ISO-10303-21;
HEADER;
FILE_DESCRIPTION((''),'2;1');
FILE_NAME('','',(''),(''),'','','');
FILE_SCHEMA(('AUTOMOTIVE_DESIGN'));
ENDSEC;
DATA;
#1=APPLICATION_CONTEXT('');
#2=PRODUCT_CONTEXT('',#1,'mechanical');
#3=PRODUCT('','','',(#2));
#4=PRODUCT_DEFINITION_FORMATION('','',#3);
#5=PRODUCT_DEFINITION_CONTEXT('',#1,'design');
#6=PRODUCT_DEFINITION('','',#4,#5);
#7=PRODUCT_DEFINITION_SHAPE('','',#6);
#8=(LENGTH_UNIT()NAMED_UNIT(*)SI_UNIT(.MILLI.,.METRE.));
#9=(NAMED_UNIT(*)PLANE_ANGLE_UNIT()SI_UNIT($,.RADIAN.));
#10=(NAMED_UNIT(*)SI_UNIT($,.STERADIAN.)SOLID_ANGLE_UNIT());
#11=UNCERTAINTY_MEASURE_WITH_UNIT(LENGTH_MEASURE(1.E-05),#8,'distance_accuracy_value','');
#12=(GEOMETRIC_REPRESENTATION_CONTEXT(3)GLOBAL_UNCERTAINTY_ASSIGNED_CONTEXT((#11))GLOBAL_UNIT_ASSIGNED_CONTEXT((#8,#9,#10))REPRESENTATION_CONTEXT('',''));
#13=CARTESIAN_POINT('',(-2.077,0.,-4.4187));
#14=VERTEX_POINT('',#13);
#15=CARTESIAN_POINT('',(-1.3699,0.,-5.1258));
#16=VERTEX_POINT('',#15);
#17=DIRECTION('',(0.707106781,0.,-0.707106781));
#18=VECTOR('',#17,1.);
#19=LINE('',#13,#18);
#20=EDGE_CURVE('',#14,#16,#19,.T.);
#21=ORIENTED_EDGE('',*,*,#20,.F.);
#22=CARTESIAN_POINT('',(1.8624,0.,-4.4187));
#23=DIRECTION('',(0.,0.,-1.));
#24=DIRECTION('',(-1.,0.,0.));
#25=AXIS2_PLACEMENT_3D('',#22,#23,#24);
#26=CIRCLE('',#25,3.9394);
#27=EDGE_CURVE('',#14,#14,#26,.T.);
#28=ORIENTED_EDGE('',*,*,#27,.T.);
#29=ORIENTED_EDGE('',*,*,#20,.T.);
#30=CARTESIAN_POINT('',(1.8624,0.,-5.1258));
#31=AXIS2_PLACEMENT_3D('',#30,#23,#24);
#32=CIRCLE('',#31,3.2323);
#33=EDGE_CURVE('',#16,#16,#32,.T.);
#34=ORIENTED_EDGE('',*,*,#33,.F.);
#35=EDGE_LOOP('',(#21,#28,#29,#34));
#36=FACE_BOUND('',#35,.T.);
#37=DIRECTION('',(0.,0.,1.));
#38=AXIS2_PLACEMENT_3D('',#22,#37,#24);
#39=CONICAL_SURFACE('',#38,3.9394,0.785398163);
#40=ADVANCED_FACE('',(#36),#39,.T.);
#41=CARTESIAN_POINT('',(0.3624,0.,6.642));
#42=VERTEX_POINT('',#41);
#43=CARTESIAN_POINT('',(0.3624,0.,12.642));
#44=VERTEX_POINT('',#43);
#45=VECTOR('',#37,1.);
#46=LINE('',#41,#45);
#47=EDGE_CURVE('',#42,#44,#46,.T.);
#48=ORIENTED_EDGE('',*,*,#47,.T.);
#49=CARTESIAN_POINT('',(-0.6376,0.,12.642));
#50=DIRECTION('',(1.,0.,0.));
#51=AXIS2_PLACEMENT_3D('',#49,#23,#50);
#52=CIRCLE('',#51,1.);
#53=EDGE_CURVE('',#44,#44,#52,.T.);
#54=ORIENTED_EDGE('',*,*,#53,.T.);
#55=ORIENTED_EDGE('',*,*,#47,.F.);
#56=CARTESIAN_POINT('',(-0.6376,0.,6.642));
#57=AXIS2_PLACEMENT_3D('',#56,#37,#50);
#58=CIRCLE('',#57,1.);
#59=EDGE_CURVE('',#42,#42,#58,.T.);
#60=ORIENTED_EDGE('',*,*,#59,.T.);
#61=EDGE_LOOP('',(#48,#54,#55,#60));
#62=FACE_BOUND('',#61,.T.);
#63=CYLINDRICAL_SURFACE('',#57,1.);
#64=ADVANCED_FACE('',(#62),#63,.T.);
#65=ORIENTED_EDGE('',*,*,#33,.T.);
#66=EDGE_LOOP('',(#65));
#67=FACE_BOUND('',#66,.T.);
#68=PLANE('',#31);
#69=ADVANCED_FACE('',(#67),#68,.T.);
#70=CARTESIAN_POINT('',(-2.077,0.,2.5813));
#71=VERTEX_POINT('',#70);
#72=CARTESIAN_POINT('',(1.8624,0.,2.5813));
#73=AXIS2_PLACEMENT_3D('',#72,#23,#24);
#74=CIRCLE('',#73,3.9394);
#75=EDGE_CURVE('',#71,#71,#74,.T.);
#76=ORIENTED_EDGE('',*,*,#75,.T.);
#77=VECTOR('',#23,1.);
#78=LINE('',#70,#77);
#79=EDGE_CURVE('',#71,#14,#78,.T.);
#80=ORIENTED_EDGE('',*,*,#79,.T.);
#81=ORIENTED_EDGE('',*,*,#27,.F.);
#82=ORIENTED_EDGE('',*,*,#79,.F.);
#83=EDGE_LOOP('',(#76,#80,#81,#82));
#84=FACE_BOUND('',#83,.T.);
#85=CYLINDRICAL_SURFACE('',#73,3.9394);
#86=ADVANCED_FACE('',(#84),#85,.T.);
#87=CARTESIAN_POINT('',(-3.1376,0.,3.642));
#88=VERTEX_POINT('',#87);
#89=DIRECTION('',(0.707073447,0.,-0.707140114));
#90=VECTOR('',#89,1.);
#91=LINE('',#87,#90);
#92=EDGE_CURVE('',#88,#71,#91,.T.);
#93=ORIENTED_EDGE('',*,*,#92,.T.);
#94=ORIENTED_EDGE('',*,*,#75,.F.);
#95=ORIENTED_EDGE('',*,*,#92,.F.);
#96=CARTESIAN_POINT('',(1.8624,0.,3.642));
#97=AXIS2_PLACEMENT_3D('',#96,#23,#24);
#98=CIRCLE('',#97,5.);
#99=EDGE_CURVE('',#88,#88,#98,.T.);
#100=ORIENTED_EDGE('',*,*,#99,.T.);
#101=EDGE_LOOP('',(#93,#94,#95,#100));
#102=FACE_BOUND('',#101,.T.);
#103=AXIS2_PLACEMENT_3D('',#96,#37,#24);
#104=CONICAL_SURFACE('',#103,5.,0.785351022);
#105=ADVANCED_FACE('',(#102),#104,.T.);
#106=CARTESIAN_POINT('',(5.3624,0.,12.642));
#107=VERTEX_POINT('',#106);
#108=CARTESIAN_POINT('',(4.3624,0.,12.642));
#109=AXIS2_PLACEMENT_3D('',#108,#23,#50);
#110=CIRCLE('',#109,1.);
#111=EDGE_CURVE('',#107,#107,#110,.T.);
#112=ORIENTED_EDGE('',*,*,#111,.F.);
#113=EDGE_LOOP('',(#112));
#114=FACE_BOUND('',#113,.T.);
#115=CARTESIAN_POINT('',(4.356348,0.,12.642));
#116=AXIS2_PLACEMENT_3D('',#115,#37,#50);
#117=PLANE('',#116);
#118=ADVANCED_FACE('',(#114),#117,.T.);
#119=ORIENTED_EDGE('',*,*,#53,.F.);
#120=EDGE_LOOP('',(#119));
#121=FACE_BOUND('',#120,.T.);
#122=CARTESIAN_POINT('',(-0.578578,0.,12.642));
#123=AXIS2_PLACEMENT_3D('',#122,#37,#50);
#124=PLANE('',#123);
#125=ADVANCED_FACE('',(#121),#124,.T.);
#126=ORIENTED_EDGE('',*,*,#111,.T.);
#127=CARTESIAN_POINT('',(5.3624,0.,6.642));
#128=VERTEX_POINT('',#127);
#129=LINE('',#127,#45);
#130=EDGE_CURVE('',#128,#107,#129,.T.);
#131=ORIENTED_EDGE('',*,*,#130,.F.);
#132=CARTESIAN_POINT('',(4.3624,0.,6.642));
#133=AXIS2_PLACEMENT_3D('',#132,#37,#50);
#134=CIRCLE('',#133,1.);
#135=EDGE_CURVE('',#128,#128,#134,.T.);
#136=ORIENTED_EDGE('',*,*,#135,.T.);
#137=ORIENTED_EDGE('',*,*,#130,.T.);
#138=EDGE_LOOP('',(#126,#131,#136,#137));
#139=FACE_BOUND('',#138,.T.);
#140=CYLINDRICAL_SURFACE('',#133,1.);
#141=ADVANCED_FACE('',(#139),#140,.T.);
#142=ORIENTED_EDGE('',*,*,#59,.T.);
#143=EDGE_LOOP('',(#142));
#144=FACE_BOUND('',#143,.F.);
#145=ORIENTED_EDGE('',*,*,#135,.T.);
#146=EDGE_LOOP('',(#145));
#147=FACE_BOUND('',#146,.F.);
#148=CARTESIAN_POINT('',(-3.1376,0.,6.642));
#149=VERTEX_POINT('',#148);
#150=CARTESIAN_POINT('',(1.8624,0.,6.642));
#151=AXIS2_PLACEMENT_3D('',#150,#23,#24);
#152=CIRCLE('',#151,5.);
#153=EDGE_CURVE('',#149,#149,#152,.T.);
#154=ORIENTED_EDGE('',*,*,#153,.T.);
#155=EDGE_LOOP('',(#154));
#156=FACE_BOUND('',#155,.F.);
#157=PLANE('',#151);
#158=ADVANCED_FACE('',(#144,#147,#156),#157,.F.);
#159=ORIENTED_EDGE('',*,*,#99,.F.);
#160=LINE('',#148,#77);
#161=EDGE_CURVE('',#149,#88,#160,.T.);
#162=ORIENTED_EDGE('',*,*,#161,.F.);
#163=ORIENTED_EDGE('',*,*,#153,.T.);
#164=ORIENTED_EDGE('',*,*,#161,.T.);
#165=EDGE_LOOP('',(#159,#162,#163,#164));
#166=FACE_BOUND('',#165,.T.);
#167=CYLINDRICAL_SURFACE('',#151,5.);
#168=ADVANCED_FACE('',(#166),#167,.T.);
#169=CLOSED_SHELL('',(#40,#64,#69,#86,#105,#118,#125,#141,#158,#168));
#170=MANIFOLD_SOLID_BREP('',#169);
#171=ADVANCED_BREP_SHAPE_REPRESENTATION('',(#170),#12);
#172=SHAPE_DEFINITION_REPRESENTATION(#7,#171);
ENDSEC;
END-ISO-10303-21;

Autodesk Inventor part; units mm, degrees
ref_plane "YZ Plane" through (0, 0, 0) normal (1, 0, 0) x (0, 1, 0)
ref_plane "XZ Plane" through (0, 0, 0) normal (0, 1, 0) x (-1, 0, 0)
ref_plane "XY Plane" through (0, 0, 0) normal (0, 0, 1) x (1, 0, 0)
sketch "Эскиз1" plane through (0, 0, 0) normal (0, 1, 0) x (-1, 0, 0)
  line L0 (3.1376, 6.642) -> (-6.8624, 6.642)
  line L1 (-6.8624, 6.642) -> (-6.8624, 3.642)
  line L2 (3.1376, 6.642) -> (3.1376, 3.642)
  line L3 (3.1376, 3.642) -> (2.077, 2.5813)
  line L4 (-6.8624, 3.642) -> (-5.8017, 2.5813)
  line L5 (2.077, 2.5813) -> (2.077, -4.4187)
  line L6 (2.077, -4.4187) -> (1.3699, -5.1258)
  line L7 (-5.8017, 2.5813) -> (-5.8017, -4.4187)
  line L8 (-5.8017, -4.4187) -> (-5.0946, -5.1258)
  line L9 (1.3699, -5.1258) -> (-5.0946, -5.1258)
  line L10 (-1.8624, 6.642) -> (-1.8624, -5.1258)
  point P0 (0, 0)
revolve "Вращение1" add sketch "Эскиз1" angle 360 about axis through (1.8624, 0, 6.642) along (0, 0, -1) contours L2 L3 L5 L6 L9 L10 L0
sketch "Эскиз6" plane through (1.8624, 0, 6.642) normal (0, 0, 1) x (1, 0, 0)
  circle A0 centre (0, 0) radius 3.2322 projected
  circle A1 centre (-2.5, 0) radius 1
  circle A2 centre (2.5, 0) radius 1
sketch3d "3D эскиз3"
  line L0 (-0.6376, 0, 6.642) -> (-0.6376, 0, 12.642)
sweep "Сдвиг2" add profiles "Эскиз6" path "3D эскиз3" contours A0 A2 | A0 A2 | A1 A0 | A0 A1
